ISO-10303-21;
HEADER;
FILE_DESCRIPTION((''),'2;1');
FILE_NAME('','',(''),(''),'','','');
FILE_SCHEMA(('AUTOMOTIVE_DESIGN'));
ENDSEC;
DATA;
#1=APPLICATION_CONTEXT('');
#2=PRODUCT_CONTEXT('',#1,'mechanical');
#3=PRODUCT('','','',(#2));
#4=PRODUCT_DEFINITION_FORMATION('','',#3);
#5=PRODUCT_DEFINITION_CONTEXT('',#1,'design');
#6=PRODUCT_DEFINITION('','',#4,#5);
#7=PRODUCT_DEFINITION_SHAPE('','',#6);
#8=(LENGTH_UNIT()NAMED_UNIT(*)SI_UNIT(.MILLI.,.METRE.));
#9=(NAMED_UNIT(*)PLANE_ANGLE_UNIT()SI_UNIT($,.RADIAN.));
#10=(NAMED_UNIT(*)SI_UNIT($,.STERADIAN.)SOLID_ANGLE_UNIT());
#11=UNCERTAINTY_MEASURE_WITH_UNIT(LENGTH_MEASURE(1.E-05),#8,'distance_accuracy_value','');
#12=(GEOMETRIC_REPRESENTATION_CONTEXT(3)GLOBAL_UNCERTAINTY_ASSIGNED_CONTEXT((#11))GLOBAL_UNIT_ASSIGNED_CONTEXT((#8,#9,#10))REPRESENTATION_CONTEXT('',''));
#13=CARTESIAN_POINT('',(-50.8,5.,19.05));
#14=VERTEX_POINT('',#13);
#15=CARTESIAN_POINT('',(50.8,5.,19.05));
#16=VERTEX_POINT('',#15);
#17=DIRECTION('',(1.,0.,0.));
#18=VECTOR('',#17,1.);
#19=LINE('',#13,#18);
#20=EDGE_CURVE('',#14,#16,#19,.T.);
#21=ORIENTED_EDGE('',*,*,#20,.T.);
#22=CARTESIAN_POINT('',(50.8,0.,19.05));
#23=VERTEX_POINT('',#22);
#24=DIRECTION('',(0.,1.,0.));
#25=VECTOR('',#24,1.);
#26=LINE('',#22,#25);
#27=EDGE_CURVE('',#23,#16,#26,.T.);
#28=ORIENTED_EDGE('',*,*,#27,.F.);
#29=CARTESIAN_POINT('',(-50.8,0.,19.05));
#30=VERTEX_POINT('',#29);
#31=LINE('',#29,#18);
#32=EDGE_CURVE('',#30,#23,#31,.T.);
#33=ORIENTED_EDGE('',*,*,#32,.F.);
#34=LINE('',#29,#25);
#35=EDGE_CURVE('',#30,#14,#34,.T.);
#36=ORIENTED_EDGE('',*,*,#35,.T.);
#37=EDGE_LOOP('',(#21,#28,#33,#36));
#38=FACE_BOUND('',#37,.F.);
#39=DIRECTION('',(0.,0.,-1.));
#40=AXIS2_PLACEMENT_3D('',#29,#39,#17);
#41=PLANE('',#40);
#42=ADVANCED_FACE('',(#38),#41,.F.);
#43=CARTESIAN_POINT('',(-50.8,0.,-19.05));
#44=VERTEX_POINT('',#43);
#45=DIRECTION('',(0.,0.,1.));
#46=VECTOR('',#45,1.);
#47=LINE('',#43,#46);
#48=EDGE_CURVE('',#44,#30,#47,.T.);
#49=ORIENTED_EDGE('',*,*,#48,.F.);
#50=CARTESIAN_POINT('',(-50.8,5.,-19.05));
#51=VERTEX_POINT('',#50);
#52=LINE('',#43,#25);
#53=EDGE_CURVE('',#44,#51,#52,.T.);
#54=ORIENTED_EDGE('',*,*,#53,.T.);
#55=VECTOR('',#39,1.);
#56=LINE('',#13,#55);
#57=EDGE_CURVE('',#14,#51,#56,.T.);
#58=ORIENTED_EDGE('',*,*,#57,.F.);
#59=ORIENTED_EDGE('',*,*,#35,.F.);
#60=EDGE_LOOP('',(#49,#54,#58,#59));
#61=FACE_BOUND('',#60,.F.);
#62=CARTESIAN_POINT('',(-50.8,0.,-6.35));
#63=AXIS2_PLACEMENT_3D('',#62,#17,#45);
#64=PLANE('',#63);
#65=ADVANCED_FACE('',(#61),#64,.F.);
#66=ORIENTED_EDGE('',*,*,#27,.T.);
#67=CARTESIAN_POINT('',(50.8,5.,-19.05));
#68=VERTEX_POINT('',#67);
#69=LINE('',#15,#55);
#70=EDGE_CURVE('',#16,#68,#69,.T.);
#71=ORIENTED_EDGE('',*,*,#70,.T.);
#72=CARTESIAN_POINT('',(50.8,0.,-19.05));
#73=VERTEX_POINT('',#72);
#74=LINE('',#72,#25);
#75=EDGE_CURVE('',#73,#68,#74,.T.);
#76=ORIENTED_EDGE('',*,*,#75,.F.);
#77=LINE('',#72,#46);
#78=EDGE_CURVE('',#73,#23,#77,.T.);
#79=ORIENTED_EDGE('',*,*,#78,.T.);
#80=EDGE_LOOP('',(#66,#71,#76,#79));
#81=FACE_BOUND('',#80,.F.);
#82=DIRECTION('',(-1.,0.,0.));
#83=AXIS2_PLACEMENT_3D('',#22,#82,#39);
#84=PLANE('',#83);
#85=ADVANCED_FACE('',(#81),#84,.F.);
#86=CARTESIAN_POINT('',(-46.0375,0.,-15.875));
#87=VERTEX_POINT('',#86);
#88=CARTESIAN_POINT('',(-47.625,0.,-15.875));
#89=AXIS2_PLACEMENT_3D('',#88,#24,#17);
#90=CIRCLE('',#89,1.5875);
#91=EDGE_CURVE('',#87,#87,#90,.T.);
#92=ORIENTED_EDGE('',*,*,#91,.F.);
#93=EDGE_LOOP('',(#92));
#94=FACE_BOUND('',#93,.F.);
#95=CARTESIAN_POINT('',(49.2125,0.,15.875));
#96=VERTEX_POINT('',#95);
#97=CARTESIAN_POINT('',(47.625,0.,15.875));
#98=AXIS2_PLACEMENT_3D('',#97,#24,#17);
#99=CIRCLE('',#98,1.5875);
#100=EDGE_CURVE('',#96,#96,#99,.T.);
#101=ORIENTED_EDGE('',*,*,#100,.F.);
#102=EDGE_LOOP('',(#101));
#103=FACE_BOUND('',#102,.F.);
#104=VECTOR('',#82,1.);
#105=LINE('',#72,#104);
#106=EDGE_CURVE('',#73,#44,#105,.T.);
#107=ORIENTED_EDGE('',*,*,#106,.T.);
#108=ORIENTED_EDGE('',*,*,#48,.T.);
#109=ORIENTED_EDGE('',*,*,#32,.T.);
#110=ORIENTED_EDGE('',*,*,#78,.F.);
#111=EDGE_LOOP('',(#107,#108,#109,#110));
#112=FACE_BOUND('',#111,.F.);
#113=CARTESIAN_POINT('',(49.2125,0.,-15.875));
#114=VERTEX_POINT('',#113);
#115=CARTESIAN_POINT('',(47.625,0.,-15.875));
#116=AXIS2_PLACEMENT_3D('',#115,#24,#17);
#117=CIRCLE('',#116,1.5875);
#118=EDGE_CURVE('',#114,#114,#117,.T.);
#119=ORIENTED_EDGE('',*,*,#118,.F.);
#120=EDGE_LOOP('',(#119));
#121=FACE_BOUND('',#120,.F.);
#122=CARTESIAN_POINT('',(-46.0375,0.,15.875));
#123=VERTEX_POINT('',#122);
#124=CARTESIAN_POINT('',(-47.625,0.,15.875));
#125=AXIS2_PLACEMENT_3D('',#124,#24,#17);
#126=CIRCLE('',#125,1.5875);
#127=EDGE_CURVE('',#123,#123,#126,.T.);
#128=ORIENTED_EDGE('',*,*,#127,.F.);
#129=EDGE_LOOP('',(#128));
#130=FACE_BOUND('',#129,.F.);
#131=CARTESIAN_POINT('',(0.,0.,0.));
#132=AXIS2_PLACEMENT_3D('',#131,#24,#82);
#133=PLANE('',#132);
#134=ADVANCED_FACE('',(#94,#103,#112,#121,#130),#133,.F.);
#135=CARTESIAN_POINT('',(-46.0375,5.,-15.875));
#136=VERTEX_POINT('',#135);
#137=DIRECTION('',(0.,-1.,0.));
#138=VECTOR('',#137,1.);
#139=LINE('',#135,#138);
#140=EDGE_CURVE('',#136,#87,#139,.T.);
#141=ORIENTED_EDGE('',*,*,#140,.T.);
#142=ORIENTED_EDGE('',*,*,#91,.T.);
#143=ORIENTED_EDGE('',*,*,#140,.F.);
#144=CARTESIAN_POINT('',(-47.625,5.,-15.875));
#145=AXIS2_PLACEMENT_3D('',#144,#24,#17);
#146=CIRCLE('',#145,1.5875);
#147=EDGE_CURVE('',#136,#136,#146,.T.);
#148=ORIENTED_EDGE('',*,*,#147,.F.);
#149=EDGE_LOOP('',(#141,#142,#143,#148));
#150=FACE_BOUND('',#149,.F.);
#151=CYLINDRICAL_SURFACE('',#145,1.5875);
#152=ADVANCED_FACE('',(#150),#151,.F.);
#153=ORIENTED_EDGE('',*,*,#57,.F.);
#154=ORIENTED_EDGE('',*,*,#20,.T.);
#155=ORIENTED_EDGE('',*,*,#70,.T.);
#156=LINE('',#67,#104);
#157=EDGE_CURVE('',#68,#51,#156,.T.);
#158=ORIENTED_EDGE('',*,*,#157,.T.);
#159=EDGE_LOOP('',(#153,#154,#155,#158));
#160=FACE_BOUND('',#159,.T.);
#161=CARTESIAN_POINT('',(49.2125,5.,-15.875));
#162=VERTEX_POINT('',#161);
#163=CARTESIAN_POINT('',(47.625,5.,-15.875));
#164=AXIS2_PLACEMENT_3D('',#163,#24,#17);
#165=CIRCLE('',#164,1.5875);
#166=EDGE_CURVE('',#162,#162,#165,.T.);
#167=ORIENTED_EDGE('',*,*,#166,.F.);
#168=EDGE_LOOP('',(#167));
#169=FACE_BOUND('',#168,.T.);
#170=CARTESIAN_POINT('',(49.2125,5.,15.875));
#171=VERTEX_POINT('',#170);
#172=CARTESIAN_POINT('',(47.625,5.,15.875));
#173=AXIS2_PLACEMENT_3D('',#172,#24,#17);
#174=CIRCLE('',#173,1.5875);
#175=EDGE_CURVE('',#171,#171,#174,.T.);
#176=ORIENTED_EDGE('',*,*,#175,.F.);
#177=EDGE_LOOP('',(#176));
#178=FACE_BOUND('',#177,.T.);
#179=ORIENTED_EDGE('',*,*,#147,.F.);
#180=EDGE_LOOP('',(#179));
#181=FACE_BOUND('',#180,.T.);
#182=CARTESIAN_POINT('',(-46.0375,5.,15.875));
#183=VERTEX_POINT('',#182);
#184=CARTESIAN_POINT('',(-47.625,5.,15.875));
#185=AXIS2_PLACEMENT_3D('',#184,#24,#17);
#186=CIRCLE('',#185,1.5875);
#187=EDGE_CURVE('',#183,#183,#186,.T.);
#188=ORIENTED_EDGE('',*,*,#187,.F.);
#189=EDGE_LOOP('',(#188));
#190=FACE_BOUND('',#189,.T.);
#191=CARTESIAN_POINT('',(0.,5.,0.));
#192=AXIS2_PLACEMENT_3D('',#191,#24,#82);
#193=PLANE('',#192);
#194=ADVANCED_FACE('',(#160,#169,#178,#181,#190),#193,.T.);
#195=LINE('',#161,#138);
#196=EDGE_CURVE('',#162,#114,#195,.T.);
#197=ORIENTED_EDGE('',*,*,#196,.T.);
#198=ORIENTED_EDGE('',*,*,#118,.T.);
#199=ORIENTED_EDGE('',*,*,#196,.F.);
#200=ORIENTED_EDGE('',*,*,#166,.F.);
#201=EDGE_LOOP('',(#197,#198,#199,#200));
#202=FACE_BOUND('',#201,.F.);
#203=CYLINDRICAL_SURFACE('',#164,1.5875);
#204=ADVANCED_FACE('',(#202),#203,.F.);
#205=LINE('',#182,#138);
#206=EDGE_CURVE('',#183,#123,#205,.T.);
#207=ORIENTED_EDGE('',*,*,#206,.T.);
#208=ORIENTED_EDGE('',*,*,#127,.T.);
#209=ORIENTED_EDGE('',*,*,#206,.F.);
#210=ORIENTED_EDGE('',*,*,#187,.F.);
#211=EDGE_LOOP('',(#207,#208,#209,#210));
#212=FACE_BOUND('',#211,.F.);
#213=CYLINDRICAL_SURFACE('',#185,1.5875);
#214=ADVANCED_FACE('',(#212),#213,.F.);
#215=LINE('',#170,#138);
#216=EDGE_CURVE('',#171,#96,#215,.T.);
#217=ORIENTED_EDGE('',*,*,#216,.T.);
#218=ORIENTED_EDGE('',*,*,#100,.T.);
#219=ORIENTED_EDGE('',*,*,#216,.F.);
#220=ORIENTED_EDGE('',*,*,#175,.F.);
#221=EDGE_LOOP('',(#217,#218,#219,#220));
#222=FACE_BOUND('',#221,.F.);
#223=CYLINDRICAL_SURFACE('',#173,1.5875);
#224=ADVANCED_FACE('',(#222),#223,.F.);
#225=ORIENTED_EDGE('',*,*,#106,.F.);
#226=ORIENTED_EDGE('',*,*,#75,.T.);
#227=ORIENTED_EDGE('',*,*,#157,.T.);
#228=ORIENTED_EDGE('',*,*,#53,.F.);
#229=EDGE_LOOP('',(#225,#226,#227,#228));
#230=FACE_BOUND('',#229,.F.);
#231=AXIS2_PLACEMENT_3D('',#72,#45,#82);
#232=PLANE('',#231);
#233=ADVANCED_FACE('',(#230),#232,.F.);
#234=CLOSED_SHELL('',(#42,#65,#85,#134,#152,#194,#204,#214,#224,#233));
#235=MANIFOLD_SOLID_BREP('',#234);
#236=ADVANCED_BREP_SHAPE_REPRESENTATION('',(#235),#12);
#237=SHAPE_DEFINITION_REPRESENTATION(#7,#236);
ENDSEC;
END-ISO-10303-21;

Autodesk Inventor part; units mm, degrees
ref_plane "YZ Plane" through (0, 0, 0) normal (1, 0, 0) x (0, 1, 0)
ref_plane "XZ Plane" through (0, 0, 0) normal (0, 1, 0) x (-1, 0, 0)
ref_plane "XY Plane" through (0, 0, 0) normal (0, 0, 1) x (1, 0, 0)
sketch "Sketch1" plane through (0, 0, 0) normal (0, 1, 0) x (-1, 0, 0)
  line L0 (50.8, 19.05) -> (-50.8, 19.05)
  line L1 (-50.8, 19.05) -> (-50.8, -6.35)
  line L2 (50.8, -6.35) -> (50.8, 19.05)
  line L3 (-50.8, -6.35) -> (-50.8, -19.05)
  line L4 (-50.8, -19.05) -> (50.8, -19.05)
  line L5 (50.8, -19.05) -> (50.8, -6.35)
  line L6 (-50.8, -6.35) -> (-50.8, -6.35)
  line L7 (50.8, -6.35) -> (50.8, -6.35)
  point P0 (0, 0)
  dimension "d0" = 25.4
  dimension "d1" = 25.4
  dimension "d2" = 12.7
  dimension "d3" = 12.7
  dimension "d4" = 101.6
  dimension "d5" = 101.6
  dimension "d6" = 0
  dimension "d7" = 0
  dimension "d8" = 50.8
  dimension "d9" = 38.1
  dimension "d10" = 19.05
  dimension "d11" = 12.7
extrude "Extrusion1" add sketch "Sketch1" along normal blind 5
sketch "Sketch2" plane through (0, 5, 0) normal (0, 1, 0) x (1, 0, 0)
  circle A0 centre (-47.625, -15.875) radius 1.5875
  circle A1 centre (-47.625, 15.875) radius 1.5875
  circle A2 centre (47.625, 15.875) radius 1.5875
  circle A3 centre (47.625, -15.875) radius 1.5875
  line L0 (50.8, -19.05) -> (50.8, 19.05) projected
  line L1 (-50.8, 19.05) -> (-50.8, -19.05) projected
  line L2 (-50.8, -19.05) -> (50.8, -19.05) projected
  line L3 (50.8, 19.05) -> (-50.8, 19.05) projected
  point P0 (0, 0)
  point P1 (38.1, 6.35)
  dimension "d14" = 3.175
  dimension "d15" = 3.175
  dimension "d16" = 3.175
  dimension "d17" = 3.175
  dimension "d18" = 3.175
  dimension "d19" = 3.175
  dimension "d20" = 3.175
  dimension "d21" = 3.175
  dimension "d23" = 3.175
  dimension "d24" = 3.175
  dimension "d25" = 3.175
  dimension "d28" = 3.175
extrude "Extrusion2" cut sketch "Sketch2" against normal through all contours A0 | A1 | A2 | A3
equation "\"d1\" = d0"
equation "\"d8\" = 0.5 * d4"
equation "\"d10\" = 0.5 * d9"
equation "\"d16\" = d15"
equation "\"d17\" = d15"
equation "\"d18\" = d15"
equation "\"d19\" = d14"
equation "\"d21\" = d20"
equation "\"d23\" = d20"
equation "\"d24\" = d14"
equation "\"d25\" = d14"
equation "\"d28\" = d21"
properties part number "STARduino Mount" material "Polystyrene, High Impact"
